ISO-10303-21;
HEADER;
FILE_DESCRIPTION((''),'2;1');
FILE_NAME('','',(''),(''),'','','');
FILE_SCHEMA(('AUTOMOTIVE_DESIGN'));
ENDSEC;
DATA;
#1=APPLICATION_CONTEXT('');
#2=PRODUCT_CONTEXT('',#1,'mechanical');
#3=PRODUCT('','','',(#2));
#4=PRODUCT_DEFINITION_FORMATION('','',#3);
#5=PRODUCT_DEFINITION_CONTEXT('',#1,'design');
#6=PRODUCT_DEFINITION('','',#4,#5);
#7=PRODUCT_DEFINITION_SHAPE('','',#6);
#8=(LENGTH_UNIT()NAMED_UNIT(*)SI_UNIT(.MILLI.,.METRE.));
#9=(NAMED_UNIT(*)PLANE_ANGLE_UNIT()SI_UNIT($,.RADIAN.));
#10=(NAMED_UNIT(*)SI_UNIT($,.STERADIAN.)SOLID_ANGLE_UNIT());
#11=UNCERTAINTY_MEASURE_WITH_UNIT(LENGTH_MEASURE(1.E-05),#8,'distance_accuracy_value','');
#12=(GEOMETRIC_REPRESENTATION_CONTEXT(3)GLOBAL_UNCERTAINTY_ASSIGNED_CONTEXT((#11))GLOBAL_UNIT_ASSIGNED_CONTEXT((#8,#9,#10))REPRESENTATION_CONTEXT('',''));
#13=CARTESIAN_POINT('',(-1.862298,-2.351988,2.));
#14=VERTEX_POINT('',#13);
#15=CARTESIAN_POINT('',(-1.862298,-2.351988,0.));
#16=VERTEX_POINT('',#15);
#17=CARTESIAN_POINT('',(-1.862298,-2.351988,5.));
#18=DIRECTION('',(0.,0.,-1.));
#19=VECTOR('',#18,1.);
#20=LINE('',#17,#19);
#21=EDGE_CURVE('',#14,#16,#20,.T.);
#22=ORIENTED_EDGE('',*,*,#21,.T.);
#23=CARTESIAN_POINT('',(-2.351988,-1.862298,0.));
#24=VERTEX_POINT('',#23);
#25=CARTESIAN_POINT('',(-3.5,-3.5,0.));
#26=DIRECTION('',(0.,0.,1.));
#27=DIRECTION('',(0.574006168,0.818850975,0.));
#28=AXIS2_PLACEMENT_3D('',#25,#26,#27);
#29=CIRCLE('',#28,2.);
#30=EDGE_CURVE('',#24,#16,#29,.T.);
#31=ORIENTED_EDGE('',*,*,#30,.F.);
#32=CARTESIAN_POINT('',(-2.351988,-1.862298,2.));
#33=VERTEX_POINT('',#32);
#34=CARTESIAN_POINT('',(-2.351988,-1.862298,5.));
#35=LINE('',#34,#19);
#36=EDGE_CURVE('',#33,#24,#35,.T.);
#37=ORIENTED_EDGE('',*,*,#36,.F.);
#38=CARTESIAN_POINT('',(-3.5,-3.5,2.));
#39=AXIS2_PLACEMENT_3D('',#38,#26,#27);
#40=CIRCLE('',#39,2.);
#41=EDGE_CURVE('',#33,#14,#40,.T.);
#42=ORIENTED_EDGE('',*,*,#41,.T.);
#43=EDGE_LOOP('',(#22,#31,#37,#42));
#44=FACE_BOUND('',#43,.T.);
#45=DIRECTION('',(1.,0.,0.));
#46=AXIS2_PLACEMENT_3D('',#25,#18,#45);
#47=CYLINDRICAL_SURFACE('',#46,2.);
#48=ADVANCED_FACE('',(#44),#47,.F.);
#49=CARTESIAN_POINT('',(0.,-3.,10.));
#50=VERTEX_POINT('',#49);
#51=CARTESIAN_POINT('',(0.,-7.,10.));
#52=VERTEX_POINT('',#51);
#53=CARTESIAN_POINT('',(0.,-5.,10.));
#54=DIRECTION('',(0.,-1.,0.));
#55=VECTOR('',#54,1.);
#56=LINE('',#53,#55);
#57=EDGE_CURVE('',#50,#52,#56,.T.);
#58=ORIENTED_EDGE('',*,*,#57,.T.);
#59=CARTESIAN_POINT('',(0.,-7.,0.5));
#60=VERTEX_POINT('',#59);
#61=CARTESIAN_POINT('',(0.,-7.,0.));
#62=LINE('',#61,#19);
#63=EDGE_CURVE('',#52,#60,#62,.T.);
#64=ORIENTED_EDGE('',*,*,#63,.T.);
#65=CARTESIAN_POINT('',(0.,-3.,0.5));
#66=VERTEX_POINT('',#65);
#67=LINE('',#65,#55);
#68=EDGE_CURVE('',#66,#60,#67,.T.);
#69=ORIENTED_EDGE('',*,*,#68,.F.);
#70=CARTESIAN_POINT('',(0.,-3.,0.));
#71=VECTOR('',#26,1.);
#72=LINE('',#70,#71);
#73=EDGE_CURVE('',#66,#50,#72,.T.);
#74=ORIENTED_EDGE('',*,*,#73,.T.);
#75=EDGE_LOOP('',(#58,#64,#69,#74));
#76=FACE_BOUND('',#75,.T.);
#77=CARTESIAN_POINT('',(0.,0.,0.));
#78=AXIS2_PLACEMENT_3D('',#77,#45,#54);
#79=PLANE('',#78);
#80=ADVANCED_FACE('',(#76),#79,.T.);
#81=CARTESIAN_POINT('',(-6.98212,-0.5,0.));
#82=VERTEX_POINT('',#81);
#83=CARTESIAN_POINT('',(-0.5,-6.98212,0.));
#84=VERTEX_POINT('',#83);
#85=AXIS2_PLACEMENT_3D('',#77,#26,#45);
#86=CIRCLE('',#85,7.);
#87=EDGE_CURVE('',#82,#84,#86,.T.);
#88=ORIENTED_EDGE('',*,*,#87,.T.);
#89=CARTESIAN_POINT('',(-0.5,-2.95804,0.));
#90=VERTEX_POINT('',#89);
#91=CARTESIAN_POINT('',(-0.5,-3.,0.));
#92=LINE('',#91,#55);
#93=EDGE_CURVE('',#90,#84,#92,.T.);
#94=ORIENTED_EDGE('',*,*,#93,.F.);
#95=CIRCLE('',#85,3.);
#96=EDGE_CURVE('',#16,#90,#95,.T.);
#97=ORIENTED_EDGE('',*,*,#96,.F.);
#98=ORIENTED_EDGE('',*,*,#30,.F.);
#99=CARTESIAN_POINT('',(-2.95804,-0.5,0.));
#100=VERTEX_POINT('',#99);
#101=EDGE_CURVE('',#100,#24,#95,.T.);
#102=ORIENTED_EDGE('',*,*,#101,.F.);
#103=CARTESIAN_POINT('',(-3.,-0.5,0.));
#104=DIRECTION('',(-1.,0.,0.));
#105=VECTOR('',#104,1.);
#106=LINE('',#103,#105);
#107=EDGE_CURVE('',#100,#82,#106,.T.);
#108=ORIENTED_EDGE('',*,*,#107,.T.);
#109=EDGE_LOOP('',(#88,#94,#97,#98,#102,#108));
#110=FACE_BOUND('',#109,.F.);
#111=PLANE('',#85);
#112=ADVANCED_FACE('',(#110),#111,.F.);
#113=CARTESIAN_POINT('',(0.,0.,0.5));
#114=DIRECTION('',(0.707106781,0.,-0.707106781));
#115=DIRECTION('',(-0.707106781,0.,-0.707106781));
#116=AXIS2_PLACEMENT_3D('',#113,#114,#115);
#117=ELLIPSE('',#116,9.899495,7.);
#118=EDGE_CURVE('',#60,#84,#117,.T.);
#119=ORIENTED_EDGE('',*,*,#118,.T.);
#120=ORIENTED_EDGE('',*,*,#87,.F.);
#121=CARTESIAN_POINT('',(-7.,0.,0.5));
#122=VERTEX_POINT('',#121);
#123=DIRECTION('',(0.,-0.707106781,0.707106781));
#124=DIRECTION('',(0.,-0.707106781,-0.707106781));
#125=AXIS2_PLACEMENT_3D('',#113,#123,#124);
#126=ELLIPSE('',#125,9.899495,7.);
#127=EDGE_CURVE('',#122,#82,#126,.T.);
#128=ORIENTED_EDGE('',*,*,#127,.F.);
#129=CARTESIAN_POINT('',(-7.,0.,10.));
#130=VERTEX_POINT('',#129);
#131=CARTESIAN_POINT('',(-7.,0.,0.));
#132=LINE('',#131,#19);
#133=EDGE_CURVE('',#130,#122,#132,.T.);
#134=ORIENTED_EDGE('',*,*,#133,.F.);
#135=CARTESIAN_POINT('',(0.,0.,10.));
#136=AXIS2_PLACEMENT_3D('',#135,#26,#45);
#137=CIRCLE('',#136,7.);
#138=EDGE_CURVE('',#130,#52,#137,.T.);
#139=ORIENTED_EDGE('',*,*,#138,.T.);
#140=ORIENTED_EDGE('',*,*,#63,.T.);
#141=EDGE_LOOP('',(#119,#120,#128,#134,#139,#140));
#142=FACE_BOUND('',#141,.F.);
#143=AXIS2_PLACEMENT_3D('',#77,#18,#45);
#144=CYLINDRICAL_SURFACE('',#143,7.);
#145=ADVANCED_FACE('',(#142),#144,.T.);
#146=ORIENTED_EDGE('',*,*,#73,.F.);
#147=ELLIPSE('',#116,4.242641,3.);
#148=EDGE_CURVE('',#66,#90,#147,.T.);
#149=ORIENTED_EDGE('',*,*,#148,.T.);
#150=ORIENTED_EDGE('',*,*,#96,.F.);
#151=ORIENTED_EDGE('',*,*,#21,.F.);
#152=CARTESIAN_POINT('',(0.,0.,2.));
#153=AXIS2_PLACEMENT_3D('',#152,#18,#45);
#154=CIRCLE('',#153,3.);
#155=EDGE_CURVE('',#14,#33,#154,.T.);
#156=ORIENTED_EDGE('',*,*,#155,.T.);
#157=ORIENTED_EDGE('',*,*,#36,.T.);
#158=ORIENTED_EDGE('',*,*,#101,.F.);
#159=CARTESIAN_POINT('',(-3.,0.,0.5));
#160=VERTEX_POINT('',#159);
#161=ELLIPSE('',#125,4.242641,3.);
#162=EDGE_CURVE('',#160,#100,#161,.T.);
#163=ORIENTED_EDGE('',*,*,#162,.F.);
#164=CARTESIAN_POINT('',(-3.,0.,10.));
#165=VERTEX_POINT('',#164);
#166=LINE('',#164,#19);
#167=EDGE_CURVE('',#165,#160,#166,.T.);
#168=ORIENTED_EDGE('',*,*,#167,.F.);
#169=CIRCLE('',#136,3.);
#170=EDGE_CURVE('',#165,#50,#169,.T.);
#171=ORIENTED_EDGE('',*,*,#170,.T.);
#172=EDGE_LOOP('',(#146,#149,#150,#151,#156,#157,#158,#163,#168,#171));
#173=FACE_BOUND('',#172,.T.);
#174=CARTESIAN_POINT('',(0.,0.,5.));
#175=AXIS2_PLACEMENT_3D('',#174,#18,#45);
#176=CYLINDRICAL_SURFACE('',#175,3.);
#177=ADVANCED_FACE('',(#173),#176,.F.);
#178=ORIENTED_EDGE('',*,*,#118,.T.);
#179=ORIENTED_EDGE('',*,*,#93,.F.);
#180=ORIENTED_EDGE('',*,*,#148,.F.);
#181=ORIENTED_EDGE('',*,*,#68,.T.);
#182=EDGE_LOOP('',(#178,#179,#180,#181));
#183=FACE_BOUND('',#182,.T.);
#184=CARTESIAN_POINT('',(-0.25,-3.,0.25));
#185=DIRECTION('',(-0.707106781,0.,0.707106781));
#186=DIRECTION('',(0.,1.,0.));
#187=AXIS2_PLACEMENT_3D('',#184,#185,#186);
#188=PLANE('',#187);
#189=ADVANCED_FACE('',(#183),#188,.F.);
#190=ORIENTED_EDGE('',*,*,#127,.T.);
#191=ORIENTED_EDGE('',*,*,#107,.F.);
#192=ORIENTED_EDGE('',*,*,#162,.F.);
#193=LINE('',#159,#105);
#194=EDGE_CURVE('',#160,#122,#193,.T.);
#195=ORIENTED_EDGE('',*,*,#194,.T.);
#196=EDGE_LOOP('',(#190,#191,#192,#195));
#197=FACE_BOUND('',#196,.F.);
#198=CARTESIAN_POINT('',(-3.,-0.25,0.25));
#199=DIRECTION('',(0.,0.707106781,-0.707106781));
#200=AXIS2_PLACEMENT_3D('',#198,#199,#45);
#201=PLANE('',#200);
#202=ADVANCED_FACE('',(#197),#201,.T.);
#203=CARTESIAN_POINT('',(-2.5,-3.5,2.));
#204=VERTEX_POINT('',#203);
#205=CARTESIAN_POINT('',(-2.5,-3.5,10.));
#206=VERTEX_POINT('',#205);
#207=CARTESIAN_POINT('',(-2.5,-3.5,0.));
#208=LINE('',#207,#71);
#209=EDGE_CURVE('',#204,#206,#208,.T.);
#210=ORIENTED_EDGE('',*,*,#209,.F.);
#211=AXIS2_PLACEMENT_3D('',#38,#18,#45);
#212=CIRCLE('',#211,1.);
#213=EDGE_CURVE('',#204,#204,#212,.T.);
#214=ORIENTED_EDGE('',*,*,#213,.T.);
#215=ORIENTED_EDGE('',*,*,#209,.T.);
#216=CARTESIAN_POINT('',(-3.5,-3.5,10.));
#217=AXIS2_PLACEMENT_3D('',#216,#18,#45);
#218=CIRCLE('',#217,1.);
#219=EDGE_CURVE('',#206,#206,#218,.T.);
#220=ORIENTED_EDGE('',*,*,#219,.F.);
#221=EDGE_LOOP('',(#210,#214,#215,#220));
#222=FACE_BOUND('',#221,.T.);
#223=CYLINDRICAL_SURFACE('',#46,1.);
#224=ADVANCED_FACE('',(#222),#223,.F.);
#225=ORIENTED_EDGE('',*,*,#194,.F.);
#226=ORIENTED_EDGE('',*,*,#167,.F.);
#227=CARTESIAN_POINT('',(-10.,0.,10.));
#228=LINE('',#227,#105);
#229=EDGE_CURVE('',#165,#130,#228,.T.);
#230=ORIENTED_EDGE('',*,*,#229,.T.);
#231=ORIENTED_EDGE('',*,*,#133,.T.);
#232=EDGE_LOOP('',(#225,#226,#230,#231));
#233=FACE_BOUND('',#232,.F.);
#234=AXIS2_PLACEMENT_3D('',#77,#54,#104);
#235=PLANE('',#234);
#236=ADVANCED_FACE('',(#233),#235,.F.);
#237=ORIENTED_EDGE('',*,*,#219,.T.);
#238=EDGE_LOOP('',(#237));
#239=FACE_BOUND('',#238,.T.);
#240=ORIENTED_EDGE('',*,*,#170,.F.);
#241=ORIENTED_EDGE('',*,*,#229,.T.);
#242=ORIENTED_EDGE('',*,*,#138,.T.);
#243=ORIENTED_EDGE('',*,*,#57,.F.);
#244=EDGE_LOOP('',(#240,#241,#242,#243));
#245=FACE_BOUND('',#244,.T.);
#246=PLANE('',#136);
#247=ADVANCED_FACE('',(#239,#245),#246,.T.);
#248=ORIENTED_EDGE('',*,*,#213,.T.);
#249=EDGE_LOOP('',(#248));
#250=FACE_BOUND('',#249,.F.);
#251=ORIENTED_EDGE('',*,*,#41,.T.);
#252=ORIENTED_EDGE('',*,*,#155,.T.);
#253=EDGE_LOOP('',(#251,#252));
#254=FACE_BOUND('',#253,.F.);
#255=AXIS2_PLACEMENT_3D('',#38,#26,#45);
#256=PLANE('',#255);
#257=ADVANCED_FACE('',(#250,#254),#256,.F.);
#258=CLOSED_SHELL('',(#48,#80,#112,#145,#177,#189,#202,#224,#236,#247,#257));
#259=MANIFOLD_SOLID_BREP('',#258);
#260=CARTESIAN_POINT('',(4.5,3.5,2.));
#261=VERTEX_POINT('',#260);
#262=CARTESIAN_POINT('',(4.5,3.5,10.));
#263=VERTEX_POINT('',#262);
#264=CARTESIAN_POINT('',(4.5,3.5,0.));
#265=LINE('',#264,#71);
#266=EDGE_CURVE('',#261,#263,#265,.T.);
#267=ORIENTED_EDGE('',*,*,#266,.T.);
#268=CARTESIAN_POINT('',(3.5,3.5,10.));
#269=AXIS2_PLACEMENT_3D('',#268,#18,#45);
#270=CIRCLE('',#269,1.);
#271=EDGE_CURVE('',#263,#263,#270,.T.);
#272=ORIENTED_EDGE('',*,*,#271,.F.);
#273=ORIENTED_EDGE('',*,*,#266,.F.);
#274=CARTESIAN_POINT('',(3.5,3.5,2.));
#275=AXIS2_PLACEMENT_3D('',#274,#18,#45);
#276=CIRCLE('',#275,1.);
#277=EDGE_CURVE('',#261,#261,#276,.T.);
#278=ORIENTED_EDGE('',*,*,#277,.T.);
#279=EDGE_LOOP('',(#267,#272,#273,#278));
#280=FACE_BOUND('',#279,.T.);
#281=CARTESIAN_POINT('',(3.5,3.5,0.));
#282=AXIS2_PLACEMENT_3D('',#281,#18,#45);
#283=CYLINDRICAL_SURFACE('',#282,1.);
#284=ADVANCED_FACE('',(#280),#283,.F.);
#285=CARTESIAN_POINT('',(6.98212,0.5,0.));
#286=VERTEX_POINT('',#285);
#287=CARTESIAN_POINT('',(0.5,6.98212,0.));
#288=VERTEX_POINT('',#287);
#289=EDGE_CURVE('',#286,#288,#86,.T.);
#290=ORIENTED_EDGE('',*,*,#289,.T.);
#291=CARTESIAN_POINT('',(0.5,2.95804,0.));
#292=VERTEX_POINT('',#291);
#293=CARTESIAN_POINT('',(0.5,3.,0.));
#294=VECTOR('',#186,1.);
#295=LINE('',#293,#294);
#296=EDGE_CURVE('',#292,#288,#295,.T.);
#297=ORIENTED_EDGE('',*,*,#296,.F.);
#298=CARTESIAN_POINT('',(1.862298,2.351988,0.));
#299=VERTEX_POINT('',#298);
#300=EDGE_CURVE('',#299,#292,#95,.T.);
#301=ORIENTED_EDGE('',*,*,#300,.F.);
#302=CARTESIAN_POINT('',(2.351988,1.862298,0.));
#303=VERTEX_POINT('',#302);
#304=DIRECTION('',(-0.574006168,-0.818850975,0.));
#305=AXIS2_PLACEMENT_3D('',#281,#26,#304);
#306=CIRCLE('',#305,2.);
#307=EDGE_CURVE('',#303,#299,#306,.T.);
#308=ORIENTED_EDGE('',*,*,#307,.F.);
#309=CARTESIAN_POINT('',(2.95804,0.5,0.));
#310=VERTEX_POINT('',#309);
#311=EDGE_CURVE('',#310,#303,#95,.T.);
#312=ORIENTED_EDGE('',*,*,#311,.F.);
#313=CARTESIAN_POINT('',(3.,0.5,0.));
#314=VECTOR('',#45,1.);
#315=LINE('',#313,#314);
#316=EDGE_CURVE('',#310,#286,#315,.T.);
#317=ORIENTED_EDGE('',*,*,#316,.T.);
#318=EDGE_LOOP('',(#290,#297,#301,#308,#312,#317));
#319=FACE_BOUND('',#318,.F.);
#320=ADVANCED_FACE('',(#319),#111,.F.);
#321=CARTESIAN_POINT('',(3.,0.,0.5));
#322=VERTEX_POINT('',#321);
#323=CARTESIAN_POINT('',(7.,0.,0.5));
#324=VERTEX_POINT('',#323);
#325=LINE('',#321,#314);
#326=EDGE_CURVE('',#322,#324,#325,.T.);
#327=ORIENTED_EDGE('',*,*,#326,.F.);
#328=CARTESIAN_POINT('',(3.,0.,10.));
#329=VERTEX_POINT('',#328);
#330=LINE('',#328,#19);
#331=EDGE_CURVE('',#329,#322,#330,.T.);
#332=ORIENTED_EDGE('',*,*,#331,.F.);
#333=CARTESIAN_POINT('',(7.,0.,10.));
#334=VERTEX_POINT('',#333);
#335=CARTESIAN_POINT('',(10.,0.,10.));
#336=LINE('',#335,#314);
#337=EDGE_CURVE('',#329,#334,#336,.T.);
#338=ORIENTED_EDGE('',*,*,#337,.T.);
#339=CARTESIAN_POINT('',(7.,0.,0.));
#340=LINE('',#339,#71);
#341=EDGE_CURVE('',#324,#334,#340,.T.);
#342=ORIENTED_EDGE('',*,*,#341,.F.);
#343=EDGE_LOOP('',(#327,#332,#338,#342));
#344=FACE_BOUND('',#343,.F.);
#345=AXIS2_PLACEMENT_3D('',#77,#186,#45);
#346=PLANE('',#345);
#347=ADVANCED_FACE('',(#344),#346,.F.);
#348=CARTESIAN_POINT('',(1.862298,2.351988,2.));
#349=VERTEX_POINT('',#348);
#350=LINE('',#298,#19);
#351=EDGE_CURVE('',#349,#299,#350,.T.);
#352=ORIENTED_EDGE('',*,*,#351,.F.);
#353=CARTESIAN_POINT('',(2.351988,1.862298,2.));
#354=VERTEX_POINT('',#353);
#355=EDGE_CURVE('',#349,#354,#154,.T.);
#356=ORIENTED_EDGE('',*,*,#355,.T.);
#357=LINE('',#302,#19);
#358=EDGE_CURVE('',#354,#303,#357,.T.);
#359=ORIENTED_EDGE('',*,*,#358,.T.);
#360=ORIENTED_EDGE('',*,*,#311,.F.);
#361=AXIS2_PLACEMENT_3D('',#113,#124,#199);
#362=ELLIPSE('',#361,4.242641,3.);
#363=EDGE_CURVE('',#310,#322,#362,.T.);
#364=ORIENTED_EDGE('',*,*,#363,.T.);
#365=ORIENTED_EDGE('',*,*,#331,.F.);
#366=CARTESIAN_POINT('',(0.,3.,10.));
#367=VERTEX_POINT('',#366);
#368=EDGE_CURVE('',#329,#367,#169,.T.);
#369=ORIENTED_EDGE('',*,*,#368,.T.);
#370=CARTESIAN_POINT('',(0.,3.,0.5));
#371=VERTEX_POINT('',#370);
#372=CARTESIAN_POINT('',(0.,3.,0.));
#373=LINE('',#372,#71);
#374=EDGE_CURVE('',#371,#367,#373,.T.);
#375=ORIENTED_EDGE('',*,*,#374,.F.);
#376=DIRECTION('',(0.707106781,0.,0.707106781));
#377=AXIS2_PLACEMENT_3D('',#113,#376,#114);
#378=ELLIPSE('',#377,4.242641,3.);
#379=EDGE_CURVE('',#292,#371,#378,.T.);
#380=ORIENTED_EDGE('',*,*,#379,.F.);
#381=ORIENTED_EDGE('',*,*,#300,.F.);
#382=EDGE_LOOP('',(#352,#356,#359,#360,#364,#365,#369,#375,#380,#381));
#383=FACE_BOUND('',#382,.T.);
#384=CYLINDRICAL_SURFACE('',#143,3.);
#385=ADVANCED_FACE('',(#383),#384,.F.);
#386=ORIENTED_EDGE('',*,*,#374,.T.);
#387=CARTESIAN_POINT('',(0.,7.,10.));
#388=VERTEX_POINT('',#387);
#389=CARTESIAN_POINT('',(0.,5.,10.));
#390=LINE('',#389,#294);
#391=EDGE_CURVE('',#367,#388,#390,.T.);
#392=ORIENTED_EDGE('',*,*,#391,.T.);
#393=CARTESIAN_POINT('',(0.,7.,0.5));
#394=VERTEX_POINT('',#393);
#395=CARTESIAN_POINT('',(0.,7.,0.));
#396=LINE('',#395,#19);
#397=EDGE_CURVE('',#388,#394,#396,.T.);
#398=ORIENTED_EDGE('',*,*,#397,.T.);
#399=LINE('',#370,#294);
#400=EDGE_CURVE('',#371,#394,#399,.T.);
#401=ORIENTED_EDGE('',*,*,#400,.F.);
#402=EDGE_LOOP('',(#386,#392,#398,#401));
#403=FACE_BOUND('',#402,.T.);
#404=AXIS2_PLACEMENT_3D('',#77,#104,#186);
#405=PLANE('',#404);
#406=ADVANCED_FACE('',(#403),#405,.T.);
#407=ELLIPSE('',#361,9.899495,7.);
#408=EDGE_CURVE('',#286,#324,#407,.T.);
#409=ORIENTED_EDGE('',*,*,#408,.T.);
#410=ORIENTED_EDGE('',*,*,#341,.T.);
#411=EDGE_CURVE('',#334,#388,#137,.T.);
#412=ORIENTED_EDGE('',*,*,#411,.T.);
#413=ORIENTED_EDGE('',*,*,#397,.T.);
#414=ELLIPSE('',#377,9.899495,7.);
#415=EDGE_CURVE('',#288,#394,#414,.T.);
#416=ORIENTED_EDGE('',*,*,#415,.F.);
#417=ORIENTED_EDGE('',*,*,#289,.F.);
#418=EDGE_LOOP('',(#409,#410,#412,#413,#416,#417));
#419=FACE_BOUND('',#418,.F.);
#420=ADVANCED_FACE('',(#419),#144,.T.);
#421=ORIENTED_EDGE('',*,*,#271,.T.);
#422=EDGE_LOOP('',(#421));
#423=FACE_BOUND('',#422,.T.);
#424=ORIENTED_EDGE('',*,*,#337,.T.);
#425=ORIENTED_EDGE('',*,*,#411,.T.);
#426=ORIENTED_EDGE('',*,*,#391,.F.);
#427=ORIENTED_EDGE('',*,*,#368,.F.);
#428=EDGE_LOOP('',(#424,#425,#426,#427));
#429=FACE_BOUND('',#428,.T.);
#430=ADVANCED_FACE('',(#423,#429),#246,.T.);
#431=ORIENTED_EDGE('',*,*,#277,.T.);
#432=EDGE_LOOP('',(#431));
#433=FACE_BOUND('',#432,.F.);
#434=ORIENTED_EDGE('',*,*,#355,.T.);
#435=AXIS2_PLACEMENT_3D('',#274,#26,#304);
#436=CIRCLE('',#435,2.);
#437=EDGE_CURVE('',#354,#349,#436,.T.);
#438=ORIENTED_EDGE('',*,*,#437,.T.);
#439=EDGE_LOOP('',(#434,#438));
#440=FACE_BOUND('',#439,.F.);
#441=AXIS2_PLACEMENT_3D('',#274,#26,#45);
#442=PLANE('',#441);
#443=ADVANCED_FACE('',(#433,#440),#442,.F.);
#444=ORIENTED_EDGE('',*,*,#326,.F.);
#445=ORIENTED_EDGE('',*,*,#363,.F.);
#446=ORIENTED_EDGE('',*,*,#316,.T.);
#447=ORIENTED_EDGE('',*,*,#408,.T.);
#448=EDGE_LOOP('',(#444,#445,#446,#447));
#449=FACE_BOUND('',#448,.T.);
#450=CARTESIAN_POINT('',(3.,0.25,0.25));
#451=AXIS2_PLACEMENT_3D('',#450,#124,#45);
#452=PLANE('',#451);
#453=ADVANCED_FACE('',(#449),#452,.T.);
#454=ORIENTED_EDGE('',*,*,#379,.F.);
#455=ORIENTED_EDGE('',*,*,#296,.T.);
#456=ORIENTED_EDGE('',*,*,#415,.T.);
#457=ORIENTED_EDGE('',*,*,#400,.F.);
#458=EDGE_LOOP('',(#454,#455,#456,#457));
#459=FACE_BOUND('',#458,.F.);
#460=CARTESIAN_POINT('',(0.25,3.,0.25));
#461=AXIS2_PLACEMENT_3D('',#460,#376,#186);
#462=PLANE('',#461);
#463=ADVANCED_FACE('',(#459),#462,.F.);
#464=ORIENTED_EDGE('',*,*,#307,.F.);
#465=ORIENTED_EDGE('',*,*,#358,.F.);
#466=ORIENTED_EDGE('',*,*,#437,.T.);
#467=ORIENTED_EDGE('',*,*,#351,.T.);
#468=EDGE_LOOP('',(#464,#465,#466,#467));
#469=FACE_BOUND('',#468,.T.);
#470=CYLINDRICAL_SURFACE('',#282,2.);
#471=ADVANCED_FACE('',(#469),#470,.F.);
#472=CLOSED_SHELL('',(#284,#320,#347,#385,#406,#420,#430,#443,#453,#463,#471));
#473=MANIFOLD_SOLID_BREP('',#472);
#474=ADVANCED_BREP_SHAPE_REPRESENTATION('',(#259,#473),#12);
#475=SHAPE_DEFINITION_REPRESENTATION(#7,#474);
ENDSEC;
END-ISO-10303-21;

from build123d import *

# Parameters (mm, degrees)
CYLINDER1769_R     = 1
CYLINDER1769_DEPTH = 20
CYLINDER1770_R     = 1
CYLINDER1770_DEPTH = 20
CYLINDER1774_R     = 2
CYLINDER1774_DEPTH = 2
CYLINDER1771_R     = 2
CYLINDER1771_DEPTH = 2
CYLINDER1772_R     = 3
CYLINDER1772_DEPTH = 5
CYLINDER1775_R     = 3
CYLINDER1775_DEPTH = 5
BOX414_W           = 10
BOX414_H           = 20
BOX414_DEPTH       = 10
BOX413_W           = 10
BOX413_H           = 20
BOX413_DEPTH       = 10
TUBE054_R          = 7
TUBE054_R_2        = 1
TUBE054_DEPTH      = 10
CHAMFER014_SIZE    = 0.5


with BuildPart() as v_lec1769:
    # Cylinder1769 → Cylinder1769 (new body)
    with BuildSketch(Plane(origin=(-3.5, -3.5, 0), x_dir=(1, 0, 0), z_dir=(0, 0, 1))):
        Circle(CYLINDER1769_R)
    extrude(amount=CYLINDER1769_DEPTH)


with BuildPart() as compound824:
    # Cylinder1770 → Cylinder1770 (new body)
    with BuildSketch(Plane(origin=(3.5, 3.5, 0), x_dir=(1, 0, 0), z_dir=(0, 0, 1))):
        Circle(CYLINDER1770_R)
    extrude(amount=CYLINDER1770_DEPTH)

    # Compound824: union Válec1769
    add(v_lec1769.part)


with BuildPart() as v_lec1774:
    # Cylinder1774 → Cylinder1774 (new body)
    with BuildSketch(Plane(origin=(-3.5, -3.5, 0), x_dir=(1, 0, 0), z_dir=(0, 0, 1))):
        Circle(CYLINDER1774_R)
    extrude(amount=CYLINDER1774_DEPTH)


with BuildPart() as compound825:
    # Cylinder1771 → Cylinder1771 (new body)
    with BuildSketch(Plane(origin=(3.5, 3.5, 0), x_dir=(1, 0, 0), z_dir=(0, 0, 1))):
        Circle(CYLINDER1771_R)
    extrude(amount=CYLINDER1771_DEPTH)

    # Compound825: union Válec1774
    add(v_lec1774.part)


with BuildPart() as v_lec1772:
    # Cylinder1772 → Cylinder1772 (new body)
    with BuildSketch(Plane.XY.offset(5)):
        Circle(CYLINDER1772_R)
    extrude(amount=CYLINDER1772_DEPTH)


with BuildPart() as v_lec1775:
    # Cylinder1775 → Cylinder1775 (new body)
    with BuildSketch(Plane.XY):
        Circle(CYLINDER1775_R)
    extrude(amount=CYLINDER1775_DEPTH)


with BuildPart() as krychle414:
    # Box414 → Box414 (new body)
    with BuildSketch(Plane(origin=(0, 0, 0), x_dir=(0, 1, 0), z_dir=(0, 0, 1))):
        with Locations((5, 10)):
            Rectangle(BOX414_W, BOX414_H)
    extrude(amount=BOX414_DEPTH)


with BuildPart() as compound823:
    # Box413 → Box413 (new body)
    with BuildSketch(Plane(origin=(0, 0, 0), x_dir=(0, -1, 0), z_dir=(0, 0, 1))):
        with Locations((5, 10)):
            Rectangle(BOX413_W, BOX413_H)
    extrude(amount=BOX413_DEPTH)

    # Compound823: union Krychle414
    add(krychle414.part)


with BuildPart() as chamfer014:
    # Tube054 → Tube054 (new body)
    with BuildSketch(Plane.XY):
        Circle(TUBE054_R)
        Circle(TUBE054_R_2, mode=Mode.SUBTRACT)
    extrude(amount=TUBE054_DEPTH)

    # Cut650: cut Compound823
    add(compound823.part, mode=Mode.SUBTRACT)

    # Cut649: cut Válec1775
    add(v_lec1775.part, mode=Mode.SUBTRACT)

    # Cut652: cut Válec1772
    add(v_lec1772.part, mode=Mode.SUBTRACT)

    # Cut651: cut Compound825
    add(compound825.part, mode=Mode.SUBTRACT)

    # Cut648: cut Compound824
    add(compound824.part, mode=Mode.SUBTRACT)

    # Chamfer014
    chamfer014_edges = [chamfer014.edges().sort_by_distance(p)[0] for p in [
        (0, 5, 0),
        (5, 0, 0),
        (0, -5, 0),
        (-5, 0, 0),
    ]]
    chamfer(chamfer014_edges, length=CHAMFER014_SIZE)


solid = chamfer014.part
